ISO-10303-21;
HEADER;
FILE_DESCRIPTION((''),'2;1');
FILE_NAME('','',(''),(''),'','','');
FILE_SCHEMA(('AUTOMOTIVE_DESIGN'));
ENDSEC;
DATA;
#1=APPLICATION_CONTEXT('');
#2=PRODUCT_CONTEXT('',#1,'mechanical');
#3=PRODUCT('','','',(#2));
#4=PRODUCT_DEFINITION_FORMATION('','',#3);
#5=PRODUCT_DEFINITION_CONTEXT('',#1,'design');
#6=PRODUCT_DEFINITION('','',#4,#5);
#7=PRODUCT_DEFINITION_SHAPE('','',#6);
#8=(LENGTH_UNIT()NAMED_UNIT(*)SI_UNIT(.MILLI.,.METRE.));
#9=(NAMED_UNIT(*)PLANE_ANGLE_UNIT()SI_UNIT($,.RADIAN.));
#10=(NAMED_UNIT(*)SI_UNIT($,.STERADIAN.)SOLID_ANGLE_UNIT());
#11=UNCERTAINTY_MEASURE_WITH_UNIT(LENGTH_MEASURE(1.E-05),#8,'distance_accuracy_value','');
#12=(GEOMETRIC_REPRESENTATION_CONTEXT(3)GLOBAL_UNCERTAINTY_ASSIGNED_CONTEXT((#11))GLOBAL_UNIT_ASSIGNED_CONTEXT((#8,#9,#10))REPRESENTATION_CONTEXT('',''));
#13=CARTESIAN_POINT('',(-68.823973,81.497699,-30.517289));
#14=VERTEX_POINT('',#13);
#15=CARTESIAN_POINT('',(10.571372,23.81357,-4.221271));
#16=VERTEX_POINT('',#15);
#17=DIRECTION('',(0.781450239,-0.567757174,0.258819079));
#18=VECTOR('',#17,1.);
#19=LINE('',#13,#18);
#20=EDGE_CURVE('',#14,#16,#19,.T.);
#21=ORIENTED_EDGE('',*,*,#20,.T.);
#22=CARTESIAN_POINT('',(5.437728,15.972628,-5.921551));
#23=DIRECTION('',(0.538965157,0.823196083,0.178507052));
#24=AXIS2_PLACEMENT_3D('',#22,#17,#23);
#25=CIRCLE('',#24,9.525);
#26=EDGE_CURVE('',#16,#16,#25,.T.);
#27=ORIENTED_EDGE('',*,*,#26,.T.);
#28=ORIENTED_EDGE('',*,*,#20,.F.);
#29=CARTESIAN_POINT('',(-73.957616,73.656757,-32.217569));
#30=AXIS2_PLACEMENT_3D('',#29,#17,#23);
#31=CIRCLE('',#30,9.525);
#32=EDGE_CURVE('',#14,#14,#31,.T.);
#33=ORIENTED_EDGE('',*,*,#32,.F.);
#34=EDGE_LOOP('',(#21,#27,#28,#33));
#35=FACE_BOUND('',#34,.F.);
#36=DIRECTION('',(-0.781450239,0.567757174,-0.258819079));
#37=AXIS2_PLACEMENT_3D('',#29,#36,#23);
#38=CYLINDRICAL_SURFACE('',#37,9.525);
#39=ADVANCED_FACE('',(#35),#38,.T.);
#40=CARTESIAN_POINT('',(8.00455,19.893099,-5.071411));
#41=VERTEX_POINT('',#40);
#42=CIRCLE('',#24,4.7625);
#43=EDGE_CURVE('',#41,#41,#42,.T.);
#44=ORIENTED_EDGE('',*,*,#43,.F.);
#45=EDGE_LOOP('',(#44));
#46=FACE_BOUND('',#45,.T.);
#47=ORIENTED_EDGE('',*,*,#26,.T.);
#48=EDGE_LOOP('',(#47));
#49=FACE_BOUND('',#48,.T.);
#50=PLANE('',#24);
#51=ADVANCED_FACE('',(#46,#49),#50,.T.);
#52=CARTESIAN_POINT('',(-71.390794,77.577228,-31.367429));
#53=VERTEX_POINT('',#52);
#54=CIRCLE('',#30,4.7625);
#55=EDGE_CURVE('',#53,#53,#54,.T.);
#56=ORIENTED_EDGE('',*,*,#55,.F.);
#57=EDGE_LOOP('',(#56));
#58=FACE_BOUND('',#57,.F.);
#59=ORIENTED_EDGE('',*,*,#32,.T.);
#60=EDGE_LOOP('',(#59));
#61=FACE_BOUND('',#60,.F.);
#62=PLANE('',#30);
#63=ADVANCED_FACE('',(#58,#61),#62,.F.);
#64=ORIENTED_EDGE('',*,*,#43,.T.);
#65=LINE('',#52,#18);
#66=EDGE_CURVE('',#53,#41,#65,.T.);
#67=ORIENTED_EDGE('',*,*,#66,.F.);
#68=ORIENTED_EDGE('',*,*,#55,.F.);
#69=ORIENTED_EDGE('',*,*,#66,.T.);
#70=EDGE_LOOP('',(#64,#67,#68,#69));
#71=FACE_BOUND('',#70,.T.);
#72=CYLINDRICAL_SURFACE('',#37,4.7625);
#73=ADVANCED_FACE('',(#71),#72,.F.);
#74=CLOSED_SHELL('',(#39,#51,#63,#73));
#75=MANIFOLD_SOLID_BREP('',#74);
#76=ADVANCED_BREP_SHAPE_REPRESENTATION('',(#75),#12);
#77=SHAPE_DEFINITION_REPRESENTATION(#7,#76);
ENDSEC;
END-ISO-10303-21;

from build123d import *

# Parameters (mm, degrees)
F2_R     = 9.525
F2_R_2   = 4.7625
F3_DEPTH = 101.6


with BuildPart() as f3:
    # F2 (on face) → F3 (new body)
    with BuildSketch(Plane(origin=(-84.359033, 61.290425, -27.94), x_dir=(0.538965, 0.823196, 0.178507), z_dir=(0.78145, -0.567757, 0.258819))):
        with Locations((15.022341, -7.330928)):
            Circle(F2_R)
        with Locations((15.022341, -7.330928)):
            Circle(F2_R_2, mode=Mode.SUBTRACT)
    extrude(amount=F3_DEPTH)


solid = f3.part
